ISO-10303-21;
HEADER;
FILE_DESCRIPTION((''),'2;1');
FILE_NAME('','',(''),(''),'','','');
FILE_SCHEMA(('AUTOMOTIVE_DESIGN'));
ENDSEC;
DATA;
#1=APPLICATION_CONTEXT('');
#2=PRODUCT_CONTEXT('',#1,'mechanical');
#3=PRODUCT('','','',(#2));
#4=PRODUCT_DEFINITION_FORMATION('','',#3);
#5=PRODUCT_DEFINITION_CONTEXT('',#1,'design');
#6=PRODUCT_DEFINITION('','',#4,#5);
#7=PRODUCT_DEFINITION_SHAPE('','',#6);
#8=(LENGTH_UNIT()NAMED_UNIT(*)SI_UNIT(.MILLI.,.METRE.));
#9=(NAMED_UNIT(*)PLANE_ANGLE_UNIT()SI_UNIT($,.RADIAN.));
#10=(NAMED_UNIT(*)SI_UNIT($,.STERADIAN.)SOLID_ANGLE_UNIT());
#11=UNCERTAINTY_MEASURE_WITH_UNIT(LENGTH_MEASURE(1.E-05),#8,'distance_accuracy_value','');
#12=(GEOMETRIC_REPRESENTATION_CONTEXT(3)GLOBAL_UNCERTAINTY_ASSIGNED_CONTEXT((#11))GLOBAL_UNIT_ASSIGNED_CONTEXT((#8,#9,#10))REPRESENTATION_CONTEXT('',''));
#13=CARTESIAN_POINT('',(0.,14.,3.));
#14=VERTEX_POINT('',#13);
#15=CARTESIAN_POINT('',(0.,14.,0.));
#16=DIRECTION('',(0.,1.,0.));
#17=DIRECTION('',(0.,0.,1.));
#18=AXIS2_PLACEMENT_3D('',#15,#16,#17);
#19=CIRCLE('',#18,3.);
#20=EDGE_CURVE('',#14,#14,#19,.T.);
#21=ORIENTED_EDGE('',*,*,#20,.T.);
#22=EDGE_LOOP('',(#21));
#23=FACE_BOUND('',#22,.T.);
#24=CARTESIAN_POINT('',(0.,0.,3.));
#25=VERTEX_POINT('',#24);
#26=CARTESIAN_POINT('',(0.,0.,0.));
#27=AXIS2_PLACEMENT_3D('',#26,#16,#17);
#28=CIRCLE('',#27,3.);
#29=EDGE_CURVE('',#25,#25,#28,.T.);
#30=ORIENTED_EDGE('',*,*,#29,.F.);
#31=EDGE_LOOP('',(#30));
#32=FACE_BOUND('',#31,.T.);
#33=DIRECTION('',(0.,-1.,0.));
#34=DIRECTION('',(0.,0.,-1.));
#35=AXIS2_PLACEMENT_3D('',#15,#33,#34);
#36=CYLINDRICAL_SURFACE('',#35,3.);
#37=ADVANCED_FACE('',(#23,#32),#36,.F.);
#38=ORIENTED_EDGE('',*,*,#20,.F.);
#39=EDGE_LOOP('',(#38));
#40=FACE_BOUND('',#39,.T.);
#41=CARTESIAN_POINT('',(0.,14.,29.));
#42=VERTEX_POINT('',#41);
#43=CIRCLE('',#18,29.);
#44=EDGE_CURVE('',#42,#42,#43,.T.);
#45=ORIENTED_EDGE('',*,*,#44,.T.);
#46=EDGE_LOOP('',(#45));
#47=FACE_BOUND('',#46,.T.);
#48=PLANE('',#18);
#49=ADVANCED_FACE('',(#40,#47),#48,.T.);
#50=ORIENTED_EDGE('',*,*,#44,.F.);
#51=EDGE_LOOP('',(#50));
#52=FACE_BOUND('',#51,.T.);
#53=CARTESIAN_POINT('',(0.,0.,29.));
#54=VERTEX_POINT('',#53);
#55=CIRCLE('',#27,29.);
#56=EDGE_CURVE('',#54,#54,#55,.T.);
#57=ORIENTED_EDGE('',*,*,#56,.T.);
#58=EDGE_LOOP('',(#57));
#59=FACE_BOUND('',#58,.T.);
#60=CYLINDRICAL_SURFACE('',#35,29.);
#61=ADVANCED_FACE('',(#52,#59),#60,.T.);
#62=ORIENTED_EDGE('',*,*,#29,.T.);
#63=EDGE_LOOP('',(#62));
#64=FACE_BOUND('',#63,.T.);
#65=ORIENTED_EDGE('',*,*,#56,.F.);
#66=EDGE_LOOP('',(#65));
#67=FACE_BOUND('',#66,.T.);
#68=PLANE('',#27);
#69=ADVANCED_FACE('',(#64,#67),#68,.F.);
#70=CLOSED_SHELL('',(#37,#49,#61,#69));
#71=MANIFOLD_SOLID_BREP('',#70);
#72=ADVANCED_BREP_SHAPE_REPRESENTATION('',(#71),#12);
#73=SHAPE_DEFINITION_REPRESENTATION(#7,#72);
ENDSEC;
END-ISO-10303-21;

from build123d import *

# Parameters (mm, degrees)
SKETCH1_R      = 29
SKETCH1_R_2    = 3
EXTRUDE1_DEPTH = 14


with BuildPart() as part:
    # Sketch1 → Extrude1 (new body)
    with BuildSketch(Plane(origin=(0, 0, 0), x_dir=(1, 0, 0), z_dir=(0, 1, 0))):
        with Locations(Location((0, 0, 0), (0, 0, 270))):
            Circle(SKETCH1_R)
        with Locations(Location((0, 0, 0), (0, 0, 270))):
            Circle(SKETCH1_R_2, mode=Mode.SUBTRACT)
    extrude(amount=EXTRUDE1_DEPTH)


solid = part.part
